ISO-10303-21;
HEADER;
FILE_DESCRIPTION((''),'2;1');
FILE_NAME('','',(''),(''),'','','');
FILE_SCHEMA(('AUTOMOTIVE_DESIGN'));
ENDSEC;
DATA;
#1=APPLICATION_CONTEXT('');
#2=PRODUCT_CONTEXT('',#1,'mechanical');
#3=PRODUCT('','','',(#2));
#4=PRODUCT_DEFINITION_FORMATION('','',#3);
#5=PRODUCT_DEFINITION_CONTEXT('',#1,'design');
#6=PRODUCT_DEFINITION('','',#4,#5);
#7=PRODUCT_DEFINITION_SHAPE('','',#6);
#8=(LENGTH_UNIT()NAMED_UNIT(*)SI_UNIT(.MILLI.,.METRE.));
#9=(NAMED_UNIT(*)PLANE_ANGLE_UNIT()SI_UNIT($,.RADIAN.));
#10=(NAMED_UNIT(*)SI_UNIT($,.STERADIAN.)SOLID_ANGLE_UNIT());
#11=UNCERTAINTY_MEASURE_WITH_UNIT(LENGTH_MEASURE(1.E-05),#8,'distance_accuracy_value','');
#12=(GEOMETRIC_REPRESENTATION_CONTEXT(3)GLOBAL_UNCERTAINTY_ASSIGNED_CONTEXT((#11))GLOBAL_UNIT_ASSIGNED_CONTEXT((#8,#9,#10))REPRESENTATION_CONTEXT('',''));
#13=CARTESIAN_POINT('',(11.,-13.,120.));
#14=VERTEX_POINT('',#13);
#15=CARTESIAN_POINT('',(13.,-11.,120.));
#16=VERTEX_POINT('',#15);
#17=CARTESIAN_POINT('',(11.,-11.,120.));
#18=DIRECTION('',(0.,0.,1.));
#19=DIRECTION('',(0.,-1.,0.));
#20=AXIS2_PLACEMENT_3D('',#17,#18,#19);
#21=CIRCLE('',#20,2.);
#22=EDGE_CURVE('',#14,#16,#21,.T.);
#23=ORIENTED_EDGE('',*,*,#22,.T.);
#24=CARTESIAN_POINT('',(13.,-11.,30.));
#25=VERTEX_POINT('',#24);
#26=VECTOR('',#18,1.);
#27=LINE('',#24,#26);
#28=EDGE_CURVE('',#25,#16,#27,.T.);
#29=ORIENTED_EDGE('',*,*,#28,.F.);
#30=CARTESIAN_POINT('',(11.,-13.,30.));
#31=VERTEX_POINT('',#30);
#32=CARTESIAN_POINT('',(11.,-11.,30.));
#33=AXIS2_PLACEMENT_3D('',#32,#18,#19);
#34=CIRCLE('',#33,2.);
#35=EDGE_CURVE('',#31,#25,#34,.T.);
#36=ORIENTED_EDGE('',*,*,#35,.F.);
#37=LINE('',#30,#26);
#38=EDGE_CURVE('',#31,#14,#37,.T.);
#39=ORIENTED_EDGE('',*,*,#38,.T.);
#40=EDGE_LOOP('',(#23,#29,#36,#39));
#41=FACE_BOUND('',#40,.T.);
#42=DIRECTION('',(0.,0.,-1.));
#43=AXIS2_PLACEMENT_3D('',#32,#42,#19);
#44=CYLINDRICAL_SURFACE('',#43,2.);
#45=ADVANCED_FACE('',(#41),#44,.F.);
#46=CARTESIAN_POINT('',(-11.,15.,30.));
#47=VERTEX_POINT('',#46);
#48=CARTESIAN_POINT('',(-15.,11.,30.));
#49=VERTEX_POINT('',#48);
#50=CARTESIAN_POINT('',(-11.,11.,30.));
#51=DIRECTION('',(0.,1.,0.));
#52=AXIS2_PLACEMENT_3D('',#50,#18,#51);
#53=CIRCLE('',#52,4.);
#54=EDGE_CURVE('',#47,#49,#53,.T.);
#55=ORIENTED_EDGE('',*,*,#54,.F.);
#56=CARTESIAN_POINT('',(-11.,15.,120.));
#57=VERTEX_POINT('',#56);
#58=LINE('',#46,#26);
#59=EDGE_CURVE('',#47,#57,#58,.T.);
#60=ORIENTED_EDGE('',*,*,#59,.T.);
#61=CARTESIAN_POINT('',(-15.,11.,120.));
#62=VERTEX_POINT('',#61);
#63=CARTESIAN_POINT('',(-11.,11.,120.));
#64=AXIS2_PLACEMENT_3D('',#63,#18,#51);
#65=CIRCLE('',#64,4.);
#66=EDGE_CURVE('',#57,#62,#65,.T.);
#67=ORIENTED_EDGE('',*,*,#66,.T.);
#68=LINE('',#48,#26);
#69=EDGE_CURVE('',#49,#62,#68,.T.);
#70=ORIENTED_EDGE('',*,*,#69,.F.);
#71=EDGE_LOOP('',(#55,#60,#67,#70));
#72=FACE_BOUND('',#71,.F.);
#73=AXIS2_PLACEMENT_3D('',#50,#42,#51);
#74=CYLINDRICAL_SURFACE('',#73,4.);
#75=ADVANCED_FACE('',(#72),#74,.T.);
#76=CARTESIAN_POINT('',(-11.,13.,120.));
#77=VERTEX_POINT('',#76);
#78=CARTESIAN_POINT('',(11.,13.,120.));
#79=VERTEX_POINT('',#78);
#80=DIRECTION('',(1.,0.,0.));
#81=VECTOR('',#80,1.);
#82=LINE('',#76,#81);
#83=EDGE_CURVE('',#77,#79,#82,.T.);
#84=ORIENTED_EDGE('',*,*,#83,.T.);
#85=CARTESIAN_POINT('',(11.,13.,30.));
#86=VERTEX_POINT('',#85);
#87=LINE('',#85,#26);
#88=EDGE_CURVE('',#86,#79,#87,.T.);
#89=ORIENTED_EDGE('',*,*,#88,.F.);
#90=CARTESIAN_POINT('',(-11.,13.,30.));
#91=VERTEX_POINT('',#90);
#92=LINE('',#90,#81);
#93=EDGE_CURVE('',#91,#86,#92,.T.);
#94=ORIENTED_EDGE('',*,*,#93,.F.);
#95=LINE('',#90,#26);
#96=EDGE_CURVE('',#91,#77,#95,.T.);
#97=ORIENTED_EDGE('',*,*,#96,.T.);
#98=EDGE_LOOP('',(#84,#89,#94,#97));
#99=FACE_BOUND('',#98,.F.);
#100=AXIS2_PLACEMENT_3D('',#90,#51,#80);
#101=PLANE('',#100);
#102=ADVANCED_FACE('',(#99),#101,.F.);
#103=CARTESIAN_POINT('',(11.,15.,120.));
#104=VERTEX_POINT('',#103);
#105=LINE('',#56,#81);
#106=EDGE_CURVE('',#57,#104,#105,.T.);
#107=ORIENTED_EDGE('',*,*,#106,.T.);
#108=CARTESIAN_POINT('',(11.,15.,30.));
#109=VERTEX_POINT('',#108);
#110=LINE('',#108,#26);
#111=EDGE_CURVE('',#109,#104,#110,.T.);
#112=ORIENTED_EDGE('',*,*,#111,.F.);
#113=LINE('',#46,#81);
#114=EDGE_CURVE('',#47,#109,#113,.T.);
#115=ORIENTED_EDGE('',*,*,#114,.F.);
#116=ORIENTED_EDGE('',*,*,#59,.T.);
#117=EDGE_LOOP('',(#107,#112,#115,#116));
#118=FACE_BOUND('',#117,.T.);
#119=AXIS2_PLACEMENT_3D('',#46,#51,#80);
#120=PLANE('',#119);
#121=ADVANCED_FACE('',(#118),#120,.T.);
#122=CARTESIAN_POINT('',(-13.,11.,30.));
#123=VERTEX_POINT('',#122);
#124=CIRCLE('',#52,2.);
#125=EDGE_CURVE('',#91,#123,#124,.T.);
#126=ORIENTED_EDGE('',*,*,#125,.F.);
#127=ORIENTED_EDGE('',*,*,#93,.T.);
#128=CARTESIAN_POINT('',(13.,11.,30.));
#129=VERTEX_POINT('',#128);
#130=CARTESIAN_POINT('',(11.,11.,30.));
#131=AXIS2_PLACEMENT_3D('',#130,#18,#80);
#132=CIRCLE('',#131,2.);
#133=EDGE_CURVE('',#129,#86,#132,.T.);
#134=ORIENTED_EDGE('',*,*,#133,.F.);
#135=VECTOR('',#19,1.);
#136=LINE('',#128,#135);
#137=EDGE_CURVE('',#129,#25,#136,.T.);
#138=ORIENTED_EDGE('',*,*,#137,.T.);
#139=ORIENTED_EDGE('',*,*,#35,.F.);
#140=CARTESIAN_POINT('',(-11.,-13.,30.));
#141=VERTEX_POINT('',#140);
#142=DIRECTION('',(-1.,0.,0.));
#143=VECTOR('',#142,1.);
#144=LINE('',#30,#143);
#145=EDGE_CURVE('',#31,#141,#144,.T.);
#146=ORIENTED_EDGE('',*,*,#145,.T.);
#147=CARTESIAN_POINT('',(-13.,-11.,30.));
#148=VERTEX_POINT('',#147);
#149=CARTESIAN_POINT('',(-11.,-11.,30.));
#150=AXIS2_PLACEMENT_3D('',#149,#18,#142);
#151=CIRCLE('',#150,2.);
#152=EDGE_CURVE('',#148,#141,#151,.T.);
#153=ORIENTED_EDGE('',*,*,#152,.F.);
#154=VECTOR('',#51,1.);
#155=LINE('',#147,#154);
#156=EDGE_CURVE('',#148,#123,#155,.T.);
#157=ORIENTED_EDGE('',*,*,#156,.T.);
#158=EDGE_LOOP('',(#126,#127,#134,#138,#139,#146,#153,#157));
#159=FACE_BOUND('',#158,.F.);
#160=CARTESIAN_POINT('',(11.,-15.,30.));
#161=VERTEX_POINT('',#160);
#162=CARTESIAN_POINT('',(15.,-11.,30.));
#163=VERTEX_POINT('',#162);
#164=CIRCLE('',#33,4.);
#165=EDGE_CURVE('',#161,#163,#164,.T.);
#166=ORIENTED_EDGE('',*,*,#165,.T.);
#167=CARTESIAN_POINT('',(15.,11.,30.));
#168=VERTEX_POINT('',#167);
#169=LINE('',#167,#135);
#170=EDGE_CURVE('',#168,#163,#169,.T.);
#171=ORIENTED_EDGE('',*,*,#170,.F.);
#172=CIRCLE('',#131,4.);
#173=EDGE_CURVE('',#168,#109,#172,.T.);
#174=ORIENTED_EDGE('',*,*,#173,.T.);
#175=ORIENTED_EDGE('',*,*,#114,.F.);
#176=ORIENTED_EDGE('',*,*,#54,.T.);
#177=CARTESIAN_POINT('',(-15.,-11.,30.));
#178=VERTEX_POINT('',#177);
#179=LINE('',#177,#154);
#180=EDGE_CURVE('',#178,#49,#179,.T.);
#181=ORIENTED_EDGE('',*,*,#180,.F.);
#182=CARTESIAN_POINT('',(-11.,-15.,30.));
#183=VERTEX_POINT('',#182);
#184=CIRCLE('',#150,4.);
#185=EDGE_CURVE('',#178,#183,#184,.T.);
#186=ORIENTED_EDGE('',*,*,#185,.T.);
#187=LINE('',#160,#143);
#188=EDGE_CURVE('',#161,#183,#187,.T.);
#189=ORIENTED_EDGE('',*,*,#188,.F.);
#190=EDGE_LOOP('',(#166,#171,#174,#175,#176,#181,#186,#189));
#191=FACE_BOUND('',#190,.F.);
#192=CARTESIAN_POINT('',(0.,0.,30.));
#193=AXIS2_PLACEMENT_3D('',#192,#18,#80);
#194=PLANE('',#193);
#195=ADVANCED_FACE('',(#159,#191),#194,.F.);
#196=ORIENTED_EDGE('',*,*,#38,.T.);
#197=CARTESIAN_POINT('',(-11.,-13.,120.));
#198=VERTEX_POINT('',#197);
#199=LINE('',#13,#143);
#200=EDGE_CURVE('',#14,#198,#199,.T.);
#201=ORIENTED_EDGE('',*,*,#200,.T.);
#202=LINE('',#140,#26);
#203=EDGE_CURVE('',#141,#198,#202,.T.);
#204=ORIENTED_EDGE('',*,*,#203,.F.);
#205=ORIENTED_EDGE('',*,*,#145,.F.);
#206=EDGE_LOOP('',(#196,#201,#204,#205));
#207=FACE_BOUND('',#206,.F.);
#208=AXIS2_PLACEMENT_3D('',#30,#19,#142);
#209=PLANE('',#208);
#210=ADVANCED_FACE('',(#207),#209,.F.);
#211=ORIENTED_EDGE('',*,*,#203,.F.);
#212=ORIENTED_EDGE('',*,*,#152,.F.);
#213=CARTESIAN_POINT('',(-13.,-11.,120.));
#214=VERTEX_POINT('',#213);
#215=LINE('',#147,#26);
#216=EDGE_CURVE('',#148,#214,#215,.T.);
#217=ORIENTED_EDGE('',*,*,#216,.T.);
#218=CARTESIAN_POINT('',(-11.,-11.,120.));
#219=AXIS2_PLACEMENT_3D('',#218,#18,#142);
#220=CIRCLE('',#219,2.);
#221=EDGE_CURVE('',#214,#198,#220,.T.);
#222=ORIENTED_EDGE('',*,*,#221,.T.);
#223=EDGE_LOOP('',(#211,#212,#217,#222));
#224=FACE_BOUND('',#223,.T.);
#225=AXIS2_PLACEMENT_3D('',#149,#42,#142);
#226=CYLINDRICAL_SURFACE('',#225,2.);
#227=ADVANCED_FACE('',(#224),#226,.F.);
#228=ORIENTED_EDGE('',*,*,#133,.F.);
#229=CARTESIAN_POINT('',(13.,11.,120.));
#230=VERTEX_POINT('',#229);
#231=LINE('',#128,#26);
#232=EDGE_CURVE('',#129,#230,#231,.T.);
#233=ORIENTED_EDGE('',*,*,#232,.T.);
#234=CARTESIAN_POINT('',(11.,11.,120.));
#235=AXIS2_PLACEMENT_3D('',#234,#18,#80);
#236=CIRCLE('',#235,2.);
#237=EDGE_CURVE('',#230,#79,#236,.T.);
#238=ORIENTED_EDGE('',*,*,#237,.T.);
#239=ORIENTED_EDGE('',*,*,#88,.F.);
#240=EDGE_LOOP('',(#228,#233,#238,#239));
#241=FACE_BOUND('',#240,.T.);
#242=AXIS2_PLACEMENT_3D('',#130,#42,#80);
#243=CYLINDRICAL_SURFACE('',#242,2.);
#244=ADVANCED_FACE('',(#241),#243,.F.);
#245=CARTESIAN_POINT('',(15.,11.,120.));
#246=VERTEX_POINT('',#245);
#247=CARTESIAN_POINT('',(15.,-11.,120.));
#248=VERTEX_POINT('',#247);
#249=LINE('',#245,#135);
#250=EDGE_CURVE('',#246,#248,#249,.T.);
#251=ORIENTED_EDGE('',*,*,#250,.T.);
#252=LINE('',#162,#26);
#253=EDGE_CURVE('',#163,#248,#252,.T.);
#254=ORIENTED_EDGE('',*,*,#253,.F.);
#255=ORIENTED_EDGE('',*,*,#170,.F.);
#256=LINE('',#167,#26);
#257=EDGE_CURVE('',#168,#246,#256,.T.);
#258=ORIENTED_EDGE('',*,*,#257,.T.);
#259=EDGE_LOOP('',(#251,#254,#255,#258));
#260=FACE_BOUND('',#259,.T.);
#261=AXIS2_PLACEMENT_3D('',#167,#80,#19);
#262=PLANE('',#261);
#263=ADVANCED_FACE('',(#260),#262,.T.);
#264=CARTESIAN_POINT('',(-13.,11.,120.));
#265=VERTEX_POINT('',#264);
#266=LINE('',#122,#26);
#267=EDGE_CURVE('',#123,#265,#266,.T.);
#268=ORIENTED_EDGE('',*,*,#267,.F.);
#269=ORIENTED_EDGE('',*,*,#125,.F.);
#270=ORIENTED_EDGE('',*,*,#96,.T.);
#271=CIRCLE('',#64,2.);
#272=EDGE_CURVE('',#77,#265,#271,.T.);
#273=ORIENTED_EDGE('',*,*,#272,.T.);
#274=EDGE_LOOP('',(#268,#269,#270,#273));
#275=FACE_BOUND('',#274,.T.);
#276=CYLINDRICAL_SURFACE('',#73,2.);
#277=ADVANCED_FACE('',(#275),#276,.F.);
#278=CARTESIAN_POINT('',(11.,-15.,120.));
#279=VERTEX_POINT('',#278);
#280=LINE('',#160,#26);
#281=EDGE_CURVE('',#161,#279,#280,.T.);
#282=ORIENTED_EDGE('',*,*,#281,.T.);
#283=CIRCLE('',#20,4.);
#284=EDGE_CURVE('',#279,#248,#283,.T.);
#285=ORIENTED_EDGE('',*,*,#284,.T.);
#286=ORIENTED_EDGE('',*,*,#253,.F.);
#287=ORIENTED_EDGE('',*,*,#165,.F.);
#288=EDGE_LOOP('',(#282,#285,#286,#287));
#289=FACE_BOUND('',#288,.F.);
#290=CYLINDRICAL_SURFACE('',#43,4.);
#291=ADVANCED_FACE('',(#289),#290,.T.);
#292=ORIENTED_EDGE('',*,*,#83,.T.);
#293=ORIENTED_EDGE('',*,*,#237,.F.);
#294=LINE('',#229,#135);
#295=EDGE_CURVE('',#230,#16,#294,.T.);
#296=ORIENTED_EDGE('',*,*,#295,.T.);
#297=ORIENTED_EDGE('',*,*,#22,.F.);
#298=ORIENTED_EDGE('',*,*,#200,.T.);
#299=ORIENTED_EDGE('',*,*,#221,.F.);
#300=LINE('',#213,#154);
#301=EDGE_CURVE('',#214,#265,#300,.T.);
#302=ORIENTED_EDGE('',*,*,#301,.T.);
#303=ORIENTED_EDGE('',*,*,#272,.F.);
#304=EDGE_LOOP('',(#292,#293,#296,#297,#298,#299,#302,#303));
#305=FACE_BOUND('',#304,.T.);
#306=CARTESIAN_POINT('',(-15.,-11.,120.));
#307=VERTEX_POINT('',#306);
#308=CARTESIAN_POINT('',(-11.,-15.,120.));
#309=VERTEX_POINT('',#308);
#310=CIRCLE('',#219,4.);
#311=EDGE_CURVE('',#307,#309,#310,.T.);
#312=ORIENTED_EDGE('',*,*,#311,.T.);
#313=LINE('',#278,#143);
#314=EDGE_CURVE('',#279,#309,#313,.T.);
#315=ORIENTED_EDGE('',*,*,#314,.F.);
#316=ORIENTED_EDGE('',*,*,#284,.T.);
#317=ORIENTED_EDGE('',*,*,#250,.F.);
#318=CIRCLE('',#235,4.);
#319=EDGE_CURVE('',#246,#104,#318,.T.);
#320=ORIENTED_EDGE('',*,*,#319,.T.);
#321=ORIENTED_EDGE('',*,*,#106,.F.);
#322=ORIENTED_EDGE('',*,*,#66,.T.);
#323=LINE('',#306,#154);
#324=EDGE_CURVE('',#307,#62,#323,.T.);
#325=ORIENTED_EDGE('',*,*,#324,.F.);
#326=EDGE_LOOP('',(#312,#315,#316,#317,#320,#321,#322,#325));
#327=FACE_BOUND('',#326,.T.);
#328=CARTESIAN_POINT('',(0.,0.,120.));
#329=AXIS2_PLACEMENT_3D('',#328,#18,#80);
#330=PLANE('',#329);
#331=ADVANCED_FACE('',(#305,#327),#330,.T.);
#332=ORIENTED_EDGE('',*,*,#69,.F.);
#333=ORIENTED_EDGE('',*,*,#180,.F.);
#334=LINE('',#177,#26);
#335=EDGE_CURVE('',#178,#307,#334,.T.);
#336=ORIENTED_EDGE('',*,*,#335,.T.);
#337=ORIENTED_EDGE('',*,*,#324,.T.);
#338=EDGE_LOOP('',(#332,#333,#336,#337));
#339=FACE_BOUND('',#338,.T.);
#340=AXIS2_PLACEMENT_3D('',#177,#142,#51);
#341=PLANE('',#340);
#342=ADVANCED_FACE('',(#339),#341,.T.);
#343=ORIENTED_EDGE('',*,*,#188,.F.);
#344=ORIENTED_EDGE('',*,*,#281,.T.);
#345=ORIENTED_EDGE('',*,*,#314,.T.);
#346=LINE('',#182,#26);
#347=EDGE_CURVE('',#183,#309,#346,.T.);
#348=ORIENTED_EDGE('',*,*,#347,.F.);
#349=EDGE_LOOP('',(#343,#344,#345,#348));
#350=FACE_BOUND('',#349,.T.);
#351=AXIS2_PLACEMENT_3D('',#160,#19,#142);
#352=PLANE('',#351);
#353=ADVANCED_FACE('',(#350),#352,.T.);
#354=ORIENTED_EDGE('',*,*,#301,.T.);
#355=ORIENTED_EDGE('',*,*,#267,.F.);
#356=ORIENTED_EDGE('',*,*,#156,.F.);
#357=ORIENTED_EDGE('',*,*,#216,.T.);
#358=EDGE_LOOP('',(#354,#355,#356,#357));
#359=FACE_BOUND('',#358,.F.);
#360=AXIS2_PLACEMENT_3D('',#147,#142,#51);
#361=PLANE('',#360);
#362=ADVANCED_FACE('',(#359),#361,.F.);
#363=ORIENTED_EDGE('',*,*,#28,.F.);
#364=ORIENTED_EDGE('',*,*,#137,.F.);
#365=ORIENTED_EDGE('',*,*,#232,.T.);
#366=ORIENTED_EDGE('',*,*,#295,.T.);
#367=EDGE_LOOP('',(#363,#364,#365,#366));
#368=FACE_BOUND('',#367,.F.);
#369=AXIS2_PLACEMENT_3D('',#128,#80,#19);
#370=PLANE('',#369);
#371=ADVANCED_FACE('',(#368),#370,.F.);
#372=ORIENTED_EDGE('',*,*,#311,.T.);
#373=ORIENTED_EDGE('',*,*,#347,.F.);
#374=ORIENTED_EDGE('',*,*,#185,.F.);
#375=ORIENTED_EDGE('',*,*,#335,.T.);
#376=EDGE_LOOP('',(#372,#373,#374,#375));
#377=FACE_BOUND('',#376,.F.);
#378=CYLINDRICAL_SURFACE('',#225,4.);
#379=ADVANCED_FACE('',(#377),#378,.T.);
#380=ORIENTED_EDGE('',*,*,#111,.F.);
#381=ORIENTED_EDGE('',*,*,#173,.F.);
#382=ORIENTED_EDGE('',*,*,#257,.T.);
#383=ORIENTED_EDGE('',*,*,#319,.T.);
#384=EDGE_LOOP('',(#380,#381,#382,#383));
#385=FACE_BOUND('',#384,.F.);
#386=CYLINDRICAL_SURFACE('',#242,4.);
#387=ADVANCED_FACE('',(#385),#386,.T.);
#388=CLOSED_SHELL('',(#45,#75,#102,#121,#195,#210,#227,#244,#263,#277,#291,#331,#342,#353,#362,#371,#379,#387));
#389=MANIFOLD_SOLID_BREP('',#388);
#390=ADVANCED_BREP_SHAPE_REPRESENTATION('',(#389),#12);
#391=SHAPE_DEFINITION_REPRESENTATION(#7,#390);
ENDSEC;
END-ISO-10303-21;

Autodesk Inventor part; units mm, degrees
ref_plane "Plano inicial" through (0, 0, 30) normal (0, 0, 1) x (1, 0, 0)
ref_plane "Plano final" through (0, 0, 120) normal (0, 0, 1) x (1, 0, 0)
sketch "Esboço" plane through (0, 0, 0) normal (0, 0, 1) x (1, 0, 0)
  line L0 (-15, -11) -> (-15, 11)
  line L1 (-11, 15) -> (11, 15)
  line L2 (15, 11) -> (15, -11)
  line L3 (11, -15) -> (-11, -15)
  arc A0 (-15, -11) -> (-11, -15) centre (-11, -11) ccw
  arc A1 (15, 11) -> (11, 15) centre (11, 11) ccw
  arc A2 (-11, 15) -> (-15, 11) centre (-11, 11) ccw
  arc A3 (11, -15) -> (15, -11) centre (11, -11) ccw
  arc A4 (-11, 13) -> (-13, 11) centre (-11, 11) ccw
  line L4 (-11, 13) -> (11, 13)
  arc A5 (13, 11) -> (11, 13) centre (11, 11) ccw
  line L5 (13, 11) -> (13, -11)
  arc A6 (11, -13) -> (13, -11) centre (11, -11) ccw
  line L6 (11, -13) -> (-11, -13)
  arc A7 (-13, -11) -> (-11, -13) centre (-11, -11) ccw
  line L7 (-13, -11) -> (-13, 11)
  line L8 (0, 22.1598) -> (0, -22.1598) construction
  line L9 (-22.1598, 0) -> (22.1598, 0) construction
  dimension "d7" = 4
  dimension "d9" = 30
  dimension "d11" = 30
  dimension "d12" = 2
  dimension "d15" = 15
  dimension "d16" = 15
extrude "Corpo" add sketch "Esboço" along normal up to surface (90 mm away) from surface at 30
sketch "Sketch3" plane through (0, 0, 0) normal (0, 0, 1) x (1, 0, 0)
  line L0 (0, 0) -> (10, 0)
ref_plane "Work Plane3" through (0, 0, 0) normal (0, -1, 0) x (1, 0, 0)
sketch "Sketch4" plane through (0, 0, 0) normal (0, -1, 0) x (1, 0, 0)
  line L0 (-2, 30) -> (12, 30)
  line L1 (-2, 120) -> (12, 120)
  dimension "d18" = 90
ref_plane "Plano de trabalho4" through (-332, -11, 30) normal (0, 0, -1) x (-1, 0, 0)
split "Dividir1" plane through (-332, -11, 30) removes the side toward (0, 0, -1)
ref_plane "Plano de trabalho5" through (218, -11, 120) normal (0, 0, 1) x (1, 0, 0)
split "Dividir2" plane through (218, -11, 120) removes the side toward (0, 0, 1)
equation "\"d7\" = G_IR"
equation "\"d9\" = G_W"
equation "\"d11\" = G_H"
equation "\"d12\" = G_T"
equation "\"d15\" = 0.5 * d9"
equation "\"d16\" = 0.5 * d11"
equation "\"d3\" = G_L"
equation "\"G_W\" = 30"
equation "\"G_H\" = 30"
equation "\"G_T\" = 2"
equation "\"G_IR\" = 4"
equation "\"G_L\" = d18"
properties part number "ISO 10799-2 - 30x30x2 - 90" material "Aço, suave"
